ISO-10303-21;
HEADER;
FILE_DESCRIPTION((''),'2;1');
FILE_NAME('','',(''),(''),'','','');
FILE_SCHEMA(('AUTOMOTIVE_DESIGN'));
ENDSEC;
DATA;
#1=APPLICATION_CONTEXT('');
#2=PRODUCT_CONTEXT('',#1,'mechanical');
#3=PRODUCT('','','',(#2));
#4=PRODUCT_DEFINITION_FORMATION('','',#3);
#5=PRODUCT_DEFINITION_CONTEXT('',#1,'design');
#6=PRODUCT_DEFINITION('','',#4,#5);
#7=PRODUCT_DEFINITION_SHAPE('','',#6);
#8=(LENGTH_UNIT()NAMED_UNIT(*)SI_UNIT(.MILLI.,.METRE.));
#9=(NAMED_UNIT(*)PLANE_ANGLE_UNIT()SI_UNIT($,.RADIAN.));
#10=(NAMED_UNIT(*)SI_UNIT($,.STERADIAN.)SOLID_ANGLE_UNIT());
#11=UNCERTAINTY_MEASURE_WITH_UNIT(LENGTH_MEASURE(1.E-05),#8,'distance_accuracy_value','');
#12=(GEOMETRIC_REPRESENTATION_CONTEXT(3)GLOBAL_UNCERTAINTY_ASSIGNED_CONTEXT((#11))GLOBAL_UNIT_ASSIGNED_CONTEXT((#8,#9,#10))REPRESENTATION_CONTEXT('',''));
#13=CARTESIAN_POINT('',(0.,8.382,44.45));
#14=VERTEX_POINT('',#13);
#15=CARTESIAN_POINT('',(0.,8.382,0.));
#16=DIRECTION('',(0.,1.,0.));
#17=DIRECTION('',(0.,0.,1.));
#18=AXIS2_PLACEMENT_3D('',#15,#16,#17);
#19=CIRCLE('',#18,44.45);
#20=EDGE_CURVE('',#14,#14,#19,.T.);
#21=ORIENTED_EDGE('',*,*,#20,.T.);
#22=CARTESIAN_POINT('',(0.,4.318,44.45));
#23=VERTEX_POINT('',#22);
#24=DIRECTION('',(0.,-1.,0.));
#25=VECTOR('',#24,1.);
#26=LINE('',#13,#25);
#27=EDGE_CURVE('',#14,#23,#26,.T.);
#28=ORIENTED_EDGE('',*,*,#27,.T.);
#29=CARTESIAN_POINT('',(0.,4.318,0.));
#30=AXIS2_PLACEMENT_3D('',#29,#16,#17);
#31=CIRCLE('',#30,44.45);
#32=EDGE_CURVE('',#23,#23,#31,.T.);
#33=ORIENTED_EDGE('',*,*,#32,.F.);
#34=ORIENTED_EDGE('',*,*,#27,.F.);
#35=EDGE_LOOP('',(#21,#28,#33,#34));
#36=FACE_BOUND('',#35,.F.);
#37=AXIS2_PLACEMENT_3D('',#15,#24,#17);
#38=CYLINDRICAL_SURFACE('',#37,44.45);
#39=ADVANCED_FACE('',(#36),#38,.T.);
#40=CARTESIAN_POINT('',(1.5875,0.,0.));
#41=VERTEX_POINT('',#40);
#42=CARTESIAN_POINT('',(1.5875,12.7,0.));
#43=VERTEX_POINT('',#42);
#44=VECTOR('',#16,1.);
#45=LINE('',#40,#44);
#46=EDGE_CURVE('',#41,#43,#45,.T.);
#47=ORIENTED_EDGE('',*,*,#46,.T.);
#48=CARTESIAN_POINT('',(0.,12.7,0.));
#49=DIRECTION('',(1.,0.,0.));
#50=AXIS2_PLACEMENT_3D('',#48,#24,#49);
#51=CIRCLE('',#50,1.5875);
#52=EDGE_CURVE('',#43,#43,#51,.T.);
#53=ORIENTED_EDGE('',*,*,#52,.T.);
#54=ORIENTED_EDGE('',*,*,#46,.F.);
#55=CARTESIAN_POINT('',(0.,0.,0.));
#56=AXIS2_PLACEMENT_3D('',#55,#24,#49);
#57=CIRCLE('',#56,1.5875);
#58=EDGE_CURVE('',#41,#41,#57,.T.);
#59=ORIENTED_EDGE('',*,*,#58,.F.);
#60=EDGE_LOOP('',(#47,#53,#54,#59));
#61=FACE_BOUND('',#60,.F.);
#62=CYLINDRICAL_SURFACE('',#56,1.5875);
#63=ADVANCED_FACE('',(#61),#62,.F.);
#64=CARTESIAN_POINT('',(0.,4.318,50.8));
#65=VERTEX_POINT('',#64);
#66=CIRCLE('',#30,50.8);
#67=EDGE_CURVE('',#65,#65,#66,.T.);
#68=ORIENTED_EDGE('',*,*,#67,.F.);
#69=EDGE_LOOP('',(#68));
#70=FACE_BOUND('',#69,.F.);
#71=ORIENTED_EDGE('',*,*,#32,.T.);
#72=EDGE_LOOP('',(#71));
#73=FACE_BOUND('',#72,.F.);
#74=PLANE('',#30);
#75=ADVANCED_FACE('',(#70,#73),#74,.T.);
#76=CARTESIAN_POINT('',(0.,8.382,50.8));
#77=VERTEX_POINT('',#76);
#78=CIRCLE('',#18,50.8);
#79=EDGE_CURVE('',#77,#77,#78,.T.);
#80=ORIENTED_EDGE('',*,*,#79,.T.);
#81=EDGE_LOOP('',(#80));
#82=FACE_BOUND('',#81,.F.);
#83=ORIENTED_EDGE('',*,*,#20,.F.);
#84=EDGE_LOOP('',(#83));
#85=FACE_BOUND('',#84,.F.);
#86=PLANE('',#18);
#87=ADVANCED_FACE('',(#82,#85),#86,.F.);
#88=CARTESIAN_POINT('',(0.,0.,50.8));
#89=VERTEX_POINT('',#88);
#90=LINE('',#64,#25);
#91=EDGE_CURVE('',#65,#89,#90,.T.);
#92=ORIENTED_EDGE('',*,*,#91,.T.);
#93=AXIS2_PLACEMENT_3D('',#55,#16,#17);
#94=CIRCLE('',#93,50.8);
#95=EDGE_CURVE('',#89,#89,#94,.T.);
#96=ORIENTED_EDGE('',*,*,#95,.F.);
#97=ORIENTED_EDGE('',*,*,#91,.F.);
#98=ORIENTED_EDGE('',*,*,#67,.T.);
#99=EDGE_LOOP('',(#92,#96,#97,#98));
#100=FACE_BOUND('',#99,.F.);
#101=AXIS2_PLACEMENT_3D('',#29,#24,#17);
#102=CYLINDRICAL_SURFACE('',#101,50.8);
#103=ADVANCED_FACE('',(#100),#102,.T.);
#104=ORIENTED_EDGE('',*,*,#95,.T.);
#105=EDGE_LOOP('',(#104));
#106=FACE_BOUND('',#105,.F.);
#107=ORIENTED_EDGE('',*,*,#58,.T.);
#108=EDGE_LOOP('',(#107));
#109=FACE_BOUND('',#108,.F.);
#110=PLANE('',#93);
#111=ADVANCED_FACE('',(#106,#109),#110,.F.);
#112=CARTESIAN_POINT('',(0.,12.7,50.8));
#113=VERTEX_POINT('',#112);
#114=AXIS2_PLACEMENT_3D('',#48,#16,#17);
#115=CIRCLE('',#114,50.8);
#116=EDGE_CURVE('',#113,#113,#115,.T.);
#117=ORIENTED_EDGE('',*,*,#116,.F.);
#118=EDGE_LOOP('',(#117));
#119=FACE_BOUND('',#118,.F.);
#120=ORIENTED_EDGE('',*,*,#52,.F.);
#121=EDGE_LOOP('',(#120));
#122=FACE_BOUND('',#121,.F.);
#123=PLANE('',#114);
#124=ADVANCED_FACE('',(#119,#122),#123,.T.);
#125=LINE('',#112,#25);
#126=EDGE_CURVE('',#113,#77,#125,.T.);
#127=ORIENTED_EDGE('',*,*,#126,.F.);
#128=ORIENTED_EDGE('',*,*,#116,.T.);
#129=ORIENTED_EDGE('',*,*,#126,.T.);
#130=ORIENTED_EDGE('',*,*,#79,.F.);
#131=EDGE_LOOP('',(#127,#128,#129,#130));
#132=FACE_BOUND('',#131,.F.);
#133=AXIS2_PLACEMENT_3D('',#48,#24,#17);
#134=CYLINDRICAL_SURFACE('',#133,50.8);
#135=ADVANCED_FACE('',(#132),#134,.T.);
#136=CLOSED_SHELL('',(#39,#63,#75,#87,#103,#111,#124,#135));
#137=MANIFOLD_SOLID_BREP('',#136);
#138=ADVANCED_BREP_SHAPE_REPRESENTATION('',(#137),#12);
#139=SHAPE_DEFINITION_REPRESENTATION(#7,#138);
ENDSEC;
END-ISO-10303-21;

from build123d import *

# Parameters (mm, degrees)
F2_R     = 1.5875
F3_DEPTH = 12.701


with BuildPart() as f1:
    # F0 (on Right) → F1 (revolve)
    with BuildSketch(Plane.YZ):
        Polygon((0, 50.8), (0, 0), (12.7, 0), (12.7, 50.8), (8.382, 50.8), (8.382, 44.45), (4.318, 44.45), (4.318, 50.8), align=None)
    revolve(axis=Axis((0, 6.35, 0), (0, 1, 0)))

    # F2 (on face) → F3 (cut, through all)
    with BuildSketch(Plane.XZ):
        Circle(F2_R)
    extrude(amount=-F3_DEPTH, mode=Mode.SUBTRACT)


solid = f1.part
